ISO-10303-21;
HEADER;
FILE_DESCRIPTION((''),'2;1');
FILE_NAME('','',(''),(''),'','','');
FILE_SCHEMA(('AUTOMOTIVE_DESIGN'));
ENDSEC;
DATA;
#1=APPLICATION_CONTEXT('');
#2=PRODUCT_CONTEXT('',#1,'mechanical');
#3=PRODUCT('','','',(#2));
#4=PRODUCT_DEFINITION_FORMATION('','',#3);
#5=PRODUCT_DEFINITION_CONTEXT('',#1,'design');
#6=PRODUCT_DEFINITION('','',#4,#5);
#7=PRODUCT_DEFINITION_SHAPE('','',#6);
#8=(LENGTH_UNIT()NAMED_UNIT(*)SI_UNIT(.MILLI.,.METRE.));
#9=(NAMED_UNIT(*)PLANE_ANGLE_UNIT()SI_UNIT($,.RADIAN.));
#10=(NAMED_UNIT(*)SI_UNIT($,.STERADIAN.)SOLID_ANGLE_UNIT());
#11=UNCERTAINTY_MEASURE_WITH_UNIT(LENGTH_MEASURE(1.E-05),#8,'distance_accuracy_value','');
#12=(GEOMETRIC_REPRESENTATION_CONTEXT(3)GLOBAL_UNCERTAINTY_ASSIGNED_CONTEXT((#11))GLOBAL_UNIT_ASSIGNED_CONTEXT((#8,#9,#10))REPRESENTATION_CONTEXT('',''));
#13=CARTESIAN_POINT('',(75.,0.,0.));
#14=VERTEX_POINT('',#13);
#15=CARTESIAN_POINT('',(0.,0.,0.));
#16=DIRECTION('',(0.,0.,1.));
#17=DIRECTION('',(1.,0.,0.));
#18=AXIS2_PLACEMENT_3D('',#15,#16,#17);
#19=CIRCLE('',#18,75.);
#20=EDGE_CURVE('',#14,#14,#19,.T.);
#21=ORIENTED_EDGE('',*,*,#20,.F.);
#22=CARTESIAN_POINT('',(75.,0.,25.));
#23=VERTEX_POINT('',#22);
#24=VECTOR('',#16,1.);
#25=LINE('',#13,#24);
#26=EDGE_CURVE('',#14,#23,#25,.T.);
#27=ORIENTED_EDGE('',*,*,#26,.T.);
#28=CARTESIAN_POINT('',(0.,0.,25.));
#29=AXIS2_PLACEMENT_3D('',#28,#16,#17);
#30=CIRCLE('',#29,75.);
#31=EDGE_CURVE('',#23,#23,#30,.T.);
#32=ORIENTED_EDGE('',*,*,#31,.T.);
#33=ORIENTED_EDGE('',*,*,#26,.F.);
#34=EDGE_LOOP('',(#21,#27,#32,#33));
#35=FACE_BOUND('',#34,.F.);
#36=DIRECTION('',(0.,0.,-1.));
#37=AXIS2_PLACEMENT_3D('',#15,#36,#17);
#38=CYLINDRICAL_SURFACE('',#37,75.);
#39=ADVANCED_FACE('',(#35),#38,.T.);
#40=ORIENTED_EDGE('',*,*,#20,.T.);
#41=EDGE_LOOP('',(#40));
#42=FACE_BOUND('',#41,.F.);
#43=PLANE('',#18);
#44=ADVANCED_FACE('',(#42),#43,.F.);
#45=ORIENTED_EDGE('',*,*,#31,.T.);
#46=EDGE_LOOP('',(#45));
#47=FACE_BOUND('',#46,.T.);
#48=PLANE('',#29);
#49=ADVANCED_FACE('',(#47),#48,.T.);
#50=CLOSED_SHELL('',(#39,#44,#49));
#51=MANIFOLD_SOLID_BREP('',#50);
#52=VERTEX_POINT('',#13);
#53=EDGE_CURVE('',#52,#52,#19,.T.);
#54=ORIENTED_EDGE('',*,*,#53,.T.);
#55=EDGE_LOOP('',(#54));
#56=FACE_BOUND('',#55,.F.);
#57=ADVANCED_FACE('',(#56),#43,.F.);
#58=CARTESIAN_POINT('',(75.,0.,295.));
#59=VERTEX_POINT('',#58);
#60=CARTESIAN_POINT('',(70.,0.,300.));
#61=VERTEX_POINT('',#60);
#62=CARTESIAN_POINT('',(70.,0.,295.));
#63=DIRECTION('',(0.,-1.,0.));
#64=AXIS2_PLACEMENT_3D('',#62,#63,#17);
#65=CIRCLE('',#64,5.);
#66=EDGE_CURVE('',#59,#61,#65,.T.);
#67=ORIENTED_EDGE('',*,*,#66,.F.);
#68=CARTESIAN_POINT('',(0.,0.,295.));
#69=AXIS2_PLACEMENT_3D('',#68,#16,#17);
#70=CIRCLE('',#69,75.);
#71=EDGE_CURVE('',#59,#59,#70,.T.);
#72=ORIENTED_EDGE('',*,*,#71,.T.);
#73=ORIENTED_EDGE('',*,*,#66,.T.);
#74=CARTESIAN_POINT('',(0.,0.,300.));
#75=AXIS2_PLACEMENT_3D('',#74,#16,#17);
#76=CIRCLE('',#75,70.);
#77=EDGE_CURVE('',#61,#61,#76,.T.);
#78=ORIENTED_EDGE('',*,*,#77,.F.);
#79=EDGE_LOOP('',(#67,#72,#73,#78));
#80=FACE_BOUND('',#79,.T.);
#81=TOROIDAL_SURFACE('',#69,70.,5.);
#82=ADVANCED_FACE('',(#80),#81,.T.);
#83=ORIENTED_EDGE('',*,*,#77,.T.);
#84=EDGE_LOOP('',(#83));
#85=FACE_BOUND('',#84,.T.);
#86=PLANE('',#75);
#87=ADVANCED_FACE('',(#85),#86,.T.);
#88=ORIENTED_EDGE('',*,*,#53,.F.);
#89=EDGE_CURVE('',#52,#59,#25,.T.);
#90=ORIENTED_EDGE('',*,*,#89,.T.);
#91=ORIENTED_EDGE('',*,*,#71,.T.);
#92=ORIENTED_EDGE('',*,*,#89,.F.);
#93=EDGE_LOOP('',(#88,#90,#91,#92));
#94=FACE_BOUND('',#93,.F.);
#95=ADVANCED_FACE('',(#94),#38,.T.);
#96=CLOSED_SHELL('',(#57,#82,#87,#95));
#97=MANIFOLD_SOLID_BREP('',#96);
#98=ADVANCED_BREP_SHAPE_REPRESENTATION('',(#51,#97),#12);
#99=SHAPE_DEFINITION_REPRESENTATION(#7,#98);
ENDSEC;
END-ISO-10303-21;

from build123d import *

# Parameters (mm, degrees)
F0_R     = 75
F1_DEPTH = 300
F2_R     = 5
F3_DEPTH = 25


with BuildPart() as f1:
    # F0 (on Top) → F1 (new body)
    with BuildSketch(Plane.XY):
        Circle(F0_R)
    extrude(amount=F1_DEPTH)

    # F2
    f2_edges = [f1.edges().sort_by_distance(p)[0] for p in [
        (-75, 0, 300),
    ]]
    fillet(f2_edges, radius=F2_R)


with BuildPart() as f3:
    # F0 (on Top) → F3 (new body)
    with BuildSketch(Plane.XY):
        Circle(F0_R)
    extrude(amount=F3_DEPTH)


solid = Compound([f1.part, f3.part])
